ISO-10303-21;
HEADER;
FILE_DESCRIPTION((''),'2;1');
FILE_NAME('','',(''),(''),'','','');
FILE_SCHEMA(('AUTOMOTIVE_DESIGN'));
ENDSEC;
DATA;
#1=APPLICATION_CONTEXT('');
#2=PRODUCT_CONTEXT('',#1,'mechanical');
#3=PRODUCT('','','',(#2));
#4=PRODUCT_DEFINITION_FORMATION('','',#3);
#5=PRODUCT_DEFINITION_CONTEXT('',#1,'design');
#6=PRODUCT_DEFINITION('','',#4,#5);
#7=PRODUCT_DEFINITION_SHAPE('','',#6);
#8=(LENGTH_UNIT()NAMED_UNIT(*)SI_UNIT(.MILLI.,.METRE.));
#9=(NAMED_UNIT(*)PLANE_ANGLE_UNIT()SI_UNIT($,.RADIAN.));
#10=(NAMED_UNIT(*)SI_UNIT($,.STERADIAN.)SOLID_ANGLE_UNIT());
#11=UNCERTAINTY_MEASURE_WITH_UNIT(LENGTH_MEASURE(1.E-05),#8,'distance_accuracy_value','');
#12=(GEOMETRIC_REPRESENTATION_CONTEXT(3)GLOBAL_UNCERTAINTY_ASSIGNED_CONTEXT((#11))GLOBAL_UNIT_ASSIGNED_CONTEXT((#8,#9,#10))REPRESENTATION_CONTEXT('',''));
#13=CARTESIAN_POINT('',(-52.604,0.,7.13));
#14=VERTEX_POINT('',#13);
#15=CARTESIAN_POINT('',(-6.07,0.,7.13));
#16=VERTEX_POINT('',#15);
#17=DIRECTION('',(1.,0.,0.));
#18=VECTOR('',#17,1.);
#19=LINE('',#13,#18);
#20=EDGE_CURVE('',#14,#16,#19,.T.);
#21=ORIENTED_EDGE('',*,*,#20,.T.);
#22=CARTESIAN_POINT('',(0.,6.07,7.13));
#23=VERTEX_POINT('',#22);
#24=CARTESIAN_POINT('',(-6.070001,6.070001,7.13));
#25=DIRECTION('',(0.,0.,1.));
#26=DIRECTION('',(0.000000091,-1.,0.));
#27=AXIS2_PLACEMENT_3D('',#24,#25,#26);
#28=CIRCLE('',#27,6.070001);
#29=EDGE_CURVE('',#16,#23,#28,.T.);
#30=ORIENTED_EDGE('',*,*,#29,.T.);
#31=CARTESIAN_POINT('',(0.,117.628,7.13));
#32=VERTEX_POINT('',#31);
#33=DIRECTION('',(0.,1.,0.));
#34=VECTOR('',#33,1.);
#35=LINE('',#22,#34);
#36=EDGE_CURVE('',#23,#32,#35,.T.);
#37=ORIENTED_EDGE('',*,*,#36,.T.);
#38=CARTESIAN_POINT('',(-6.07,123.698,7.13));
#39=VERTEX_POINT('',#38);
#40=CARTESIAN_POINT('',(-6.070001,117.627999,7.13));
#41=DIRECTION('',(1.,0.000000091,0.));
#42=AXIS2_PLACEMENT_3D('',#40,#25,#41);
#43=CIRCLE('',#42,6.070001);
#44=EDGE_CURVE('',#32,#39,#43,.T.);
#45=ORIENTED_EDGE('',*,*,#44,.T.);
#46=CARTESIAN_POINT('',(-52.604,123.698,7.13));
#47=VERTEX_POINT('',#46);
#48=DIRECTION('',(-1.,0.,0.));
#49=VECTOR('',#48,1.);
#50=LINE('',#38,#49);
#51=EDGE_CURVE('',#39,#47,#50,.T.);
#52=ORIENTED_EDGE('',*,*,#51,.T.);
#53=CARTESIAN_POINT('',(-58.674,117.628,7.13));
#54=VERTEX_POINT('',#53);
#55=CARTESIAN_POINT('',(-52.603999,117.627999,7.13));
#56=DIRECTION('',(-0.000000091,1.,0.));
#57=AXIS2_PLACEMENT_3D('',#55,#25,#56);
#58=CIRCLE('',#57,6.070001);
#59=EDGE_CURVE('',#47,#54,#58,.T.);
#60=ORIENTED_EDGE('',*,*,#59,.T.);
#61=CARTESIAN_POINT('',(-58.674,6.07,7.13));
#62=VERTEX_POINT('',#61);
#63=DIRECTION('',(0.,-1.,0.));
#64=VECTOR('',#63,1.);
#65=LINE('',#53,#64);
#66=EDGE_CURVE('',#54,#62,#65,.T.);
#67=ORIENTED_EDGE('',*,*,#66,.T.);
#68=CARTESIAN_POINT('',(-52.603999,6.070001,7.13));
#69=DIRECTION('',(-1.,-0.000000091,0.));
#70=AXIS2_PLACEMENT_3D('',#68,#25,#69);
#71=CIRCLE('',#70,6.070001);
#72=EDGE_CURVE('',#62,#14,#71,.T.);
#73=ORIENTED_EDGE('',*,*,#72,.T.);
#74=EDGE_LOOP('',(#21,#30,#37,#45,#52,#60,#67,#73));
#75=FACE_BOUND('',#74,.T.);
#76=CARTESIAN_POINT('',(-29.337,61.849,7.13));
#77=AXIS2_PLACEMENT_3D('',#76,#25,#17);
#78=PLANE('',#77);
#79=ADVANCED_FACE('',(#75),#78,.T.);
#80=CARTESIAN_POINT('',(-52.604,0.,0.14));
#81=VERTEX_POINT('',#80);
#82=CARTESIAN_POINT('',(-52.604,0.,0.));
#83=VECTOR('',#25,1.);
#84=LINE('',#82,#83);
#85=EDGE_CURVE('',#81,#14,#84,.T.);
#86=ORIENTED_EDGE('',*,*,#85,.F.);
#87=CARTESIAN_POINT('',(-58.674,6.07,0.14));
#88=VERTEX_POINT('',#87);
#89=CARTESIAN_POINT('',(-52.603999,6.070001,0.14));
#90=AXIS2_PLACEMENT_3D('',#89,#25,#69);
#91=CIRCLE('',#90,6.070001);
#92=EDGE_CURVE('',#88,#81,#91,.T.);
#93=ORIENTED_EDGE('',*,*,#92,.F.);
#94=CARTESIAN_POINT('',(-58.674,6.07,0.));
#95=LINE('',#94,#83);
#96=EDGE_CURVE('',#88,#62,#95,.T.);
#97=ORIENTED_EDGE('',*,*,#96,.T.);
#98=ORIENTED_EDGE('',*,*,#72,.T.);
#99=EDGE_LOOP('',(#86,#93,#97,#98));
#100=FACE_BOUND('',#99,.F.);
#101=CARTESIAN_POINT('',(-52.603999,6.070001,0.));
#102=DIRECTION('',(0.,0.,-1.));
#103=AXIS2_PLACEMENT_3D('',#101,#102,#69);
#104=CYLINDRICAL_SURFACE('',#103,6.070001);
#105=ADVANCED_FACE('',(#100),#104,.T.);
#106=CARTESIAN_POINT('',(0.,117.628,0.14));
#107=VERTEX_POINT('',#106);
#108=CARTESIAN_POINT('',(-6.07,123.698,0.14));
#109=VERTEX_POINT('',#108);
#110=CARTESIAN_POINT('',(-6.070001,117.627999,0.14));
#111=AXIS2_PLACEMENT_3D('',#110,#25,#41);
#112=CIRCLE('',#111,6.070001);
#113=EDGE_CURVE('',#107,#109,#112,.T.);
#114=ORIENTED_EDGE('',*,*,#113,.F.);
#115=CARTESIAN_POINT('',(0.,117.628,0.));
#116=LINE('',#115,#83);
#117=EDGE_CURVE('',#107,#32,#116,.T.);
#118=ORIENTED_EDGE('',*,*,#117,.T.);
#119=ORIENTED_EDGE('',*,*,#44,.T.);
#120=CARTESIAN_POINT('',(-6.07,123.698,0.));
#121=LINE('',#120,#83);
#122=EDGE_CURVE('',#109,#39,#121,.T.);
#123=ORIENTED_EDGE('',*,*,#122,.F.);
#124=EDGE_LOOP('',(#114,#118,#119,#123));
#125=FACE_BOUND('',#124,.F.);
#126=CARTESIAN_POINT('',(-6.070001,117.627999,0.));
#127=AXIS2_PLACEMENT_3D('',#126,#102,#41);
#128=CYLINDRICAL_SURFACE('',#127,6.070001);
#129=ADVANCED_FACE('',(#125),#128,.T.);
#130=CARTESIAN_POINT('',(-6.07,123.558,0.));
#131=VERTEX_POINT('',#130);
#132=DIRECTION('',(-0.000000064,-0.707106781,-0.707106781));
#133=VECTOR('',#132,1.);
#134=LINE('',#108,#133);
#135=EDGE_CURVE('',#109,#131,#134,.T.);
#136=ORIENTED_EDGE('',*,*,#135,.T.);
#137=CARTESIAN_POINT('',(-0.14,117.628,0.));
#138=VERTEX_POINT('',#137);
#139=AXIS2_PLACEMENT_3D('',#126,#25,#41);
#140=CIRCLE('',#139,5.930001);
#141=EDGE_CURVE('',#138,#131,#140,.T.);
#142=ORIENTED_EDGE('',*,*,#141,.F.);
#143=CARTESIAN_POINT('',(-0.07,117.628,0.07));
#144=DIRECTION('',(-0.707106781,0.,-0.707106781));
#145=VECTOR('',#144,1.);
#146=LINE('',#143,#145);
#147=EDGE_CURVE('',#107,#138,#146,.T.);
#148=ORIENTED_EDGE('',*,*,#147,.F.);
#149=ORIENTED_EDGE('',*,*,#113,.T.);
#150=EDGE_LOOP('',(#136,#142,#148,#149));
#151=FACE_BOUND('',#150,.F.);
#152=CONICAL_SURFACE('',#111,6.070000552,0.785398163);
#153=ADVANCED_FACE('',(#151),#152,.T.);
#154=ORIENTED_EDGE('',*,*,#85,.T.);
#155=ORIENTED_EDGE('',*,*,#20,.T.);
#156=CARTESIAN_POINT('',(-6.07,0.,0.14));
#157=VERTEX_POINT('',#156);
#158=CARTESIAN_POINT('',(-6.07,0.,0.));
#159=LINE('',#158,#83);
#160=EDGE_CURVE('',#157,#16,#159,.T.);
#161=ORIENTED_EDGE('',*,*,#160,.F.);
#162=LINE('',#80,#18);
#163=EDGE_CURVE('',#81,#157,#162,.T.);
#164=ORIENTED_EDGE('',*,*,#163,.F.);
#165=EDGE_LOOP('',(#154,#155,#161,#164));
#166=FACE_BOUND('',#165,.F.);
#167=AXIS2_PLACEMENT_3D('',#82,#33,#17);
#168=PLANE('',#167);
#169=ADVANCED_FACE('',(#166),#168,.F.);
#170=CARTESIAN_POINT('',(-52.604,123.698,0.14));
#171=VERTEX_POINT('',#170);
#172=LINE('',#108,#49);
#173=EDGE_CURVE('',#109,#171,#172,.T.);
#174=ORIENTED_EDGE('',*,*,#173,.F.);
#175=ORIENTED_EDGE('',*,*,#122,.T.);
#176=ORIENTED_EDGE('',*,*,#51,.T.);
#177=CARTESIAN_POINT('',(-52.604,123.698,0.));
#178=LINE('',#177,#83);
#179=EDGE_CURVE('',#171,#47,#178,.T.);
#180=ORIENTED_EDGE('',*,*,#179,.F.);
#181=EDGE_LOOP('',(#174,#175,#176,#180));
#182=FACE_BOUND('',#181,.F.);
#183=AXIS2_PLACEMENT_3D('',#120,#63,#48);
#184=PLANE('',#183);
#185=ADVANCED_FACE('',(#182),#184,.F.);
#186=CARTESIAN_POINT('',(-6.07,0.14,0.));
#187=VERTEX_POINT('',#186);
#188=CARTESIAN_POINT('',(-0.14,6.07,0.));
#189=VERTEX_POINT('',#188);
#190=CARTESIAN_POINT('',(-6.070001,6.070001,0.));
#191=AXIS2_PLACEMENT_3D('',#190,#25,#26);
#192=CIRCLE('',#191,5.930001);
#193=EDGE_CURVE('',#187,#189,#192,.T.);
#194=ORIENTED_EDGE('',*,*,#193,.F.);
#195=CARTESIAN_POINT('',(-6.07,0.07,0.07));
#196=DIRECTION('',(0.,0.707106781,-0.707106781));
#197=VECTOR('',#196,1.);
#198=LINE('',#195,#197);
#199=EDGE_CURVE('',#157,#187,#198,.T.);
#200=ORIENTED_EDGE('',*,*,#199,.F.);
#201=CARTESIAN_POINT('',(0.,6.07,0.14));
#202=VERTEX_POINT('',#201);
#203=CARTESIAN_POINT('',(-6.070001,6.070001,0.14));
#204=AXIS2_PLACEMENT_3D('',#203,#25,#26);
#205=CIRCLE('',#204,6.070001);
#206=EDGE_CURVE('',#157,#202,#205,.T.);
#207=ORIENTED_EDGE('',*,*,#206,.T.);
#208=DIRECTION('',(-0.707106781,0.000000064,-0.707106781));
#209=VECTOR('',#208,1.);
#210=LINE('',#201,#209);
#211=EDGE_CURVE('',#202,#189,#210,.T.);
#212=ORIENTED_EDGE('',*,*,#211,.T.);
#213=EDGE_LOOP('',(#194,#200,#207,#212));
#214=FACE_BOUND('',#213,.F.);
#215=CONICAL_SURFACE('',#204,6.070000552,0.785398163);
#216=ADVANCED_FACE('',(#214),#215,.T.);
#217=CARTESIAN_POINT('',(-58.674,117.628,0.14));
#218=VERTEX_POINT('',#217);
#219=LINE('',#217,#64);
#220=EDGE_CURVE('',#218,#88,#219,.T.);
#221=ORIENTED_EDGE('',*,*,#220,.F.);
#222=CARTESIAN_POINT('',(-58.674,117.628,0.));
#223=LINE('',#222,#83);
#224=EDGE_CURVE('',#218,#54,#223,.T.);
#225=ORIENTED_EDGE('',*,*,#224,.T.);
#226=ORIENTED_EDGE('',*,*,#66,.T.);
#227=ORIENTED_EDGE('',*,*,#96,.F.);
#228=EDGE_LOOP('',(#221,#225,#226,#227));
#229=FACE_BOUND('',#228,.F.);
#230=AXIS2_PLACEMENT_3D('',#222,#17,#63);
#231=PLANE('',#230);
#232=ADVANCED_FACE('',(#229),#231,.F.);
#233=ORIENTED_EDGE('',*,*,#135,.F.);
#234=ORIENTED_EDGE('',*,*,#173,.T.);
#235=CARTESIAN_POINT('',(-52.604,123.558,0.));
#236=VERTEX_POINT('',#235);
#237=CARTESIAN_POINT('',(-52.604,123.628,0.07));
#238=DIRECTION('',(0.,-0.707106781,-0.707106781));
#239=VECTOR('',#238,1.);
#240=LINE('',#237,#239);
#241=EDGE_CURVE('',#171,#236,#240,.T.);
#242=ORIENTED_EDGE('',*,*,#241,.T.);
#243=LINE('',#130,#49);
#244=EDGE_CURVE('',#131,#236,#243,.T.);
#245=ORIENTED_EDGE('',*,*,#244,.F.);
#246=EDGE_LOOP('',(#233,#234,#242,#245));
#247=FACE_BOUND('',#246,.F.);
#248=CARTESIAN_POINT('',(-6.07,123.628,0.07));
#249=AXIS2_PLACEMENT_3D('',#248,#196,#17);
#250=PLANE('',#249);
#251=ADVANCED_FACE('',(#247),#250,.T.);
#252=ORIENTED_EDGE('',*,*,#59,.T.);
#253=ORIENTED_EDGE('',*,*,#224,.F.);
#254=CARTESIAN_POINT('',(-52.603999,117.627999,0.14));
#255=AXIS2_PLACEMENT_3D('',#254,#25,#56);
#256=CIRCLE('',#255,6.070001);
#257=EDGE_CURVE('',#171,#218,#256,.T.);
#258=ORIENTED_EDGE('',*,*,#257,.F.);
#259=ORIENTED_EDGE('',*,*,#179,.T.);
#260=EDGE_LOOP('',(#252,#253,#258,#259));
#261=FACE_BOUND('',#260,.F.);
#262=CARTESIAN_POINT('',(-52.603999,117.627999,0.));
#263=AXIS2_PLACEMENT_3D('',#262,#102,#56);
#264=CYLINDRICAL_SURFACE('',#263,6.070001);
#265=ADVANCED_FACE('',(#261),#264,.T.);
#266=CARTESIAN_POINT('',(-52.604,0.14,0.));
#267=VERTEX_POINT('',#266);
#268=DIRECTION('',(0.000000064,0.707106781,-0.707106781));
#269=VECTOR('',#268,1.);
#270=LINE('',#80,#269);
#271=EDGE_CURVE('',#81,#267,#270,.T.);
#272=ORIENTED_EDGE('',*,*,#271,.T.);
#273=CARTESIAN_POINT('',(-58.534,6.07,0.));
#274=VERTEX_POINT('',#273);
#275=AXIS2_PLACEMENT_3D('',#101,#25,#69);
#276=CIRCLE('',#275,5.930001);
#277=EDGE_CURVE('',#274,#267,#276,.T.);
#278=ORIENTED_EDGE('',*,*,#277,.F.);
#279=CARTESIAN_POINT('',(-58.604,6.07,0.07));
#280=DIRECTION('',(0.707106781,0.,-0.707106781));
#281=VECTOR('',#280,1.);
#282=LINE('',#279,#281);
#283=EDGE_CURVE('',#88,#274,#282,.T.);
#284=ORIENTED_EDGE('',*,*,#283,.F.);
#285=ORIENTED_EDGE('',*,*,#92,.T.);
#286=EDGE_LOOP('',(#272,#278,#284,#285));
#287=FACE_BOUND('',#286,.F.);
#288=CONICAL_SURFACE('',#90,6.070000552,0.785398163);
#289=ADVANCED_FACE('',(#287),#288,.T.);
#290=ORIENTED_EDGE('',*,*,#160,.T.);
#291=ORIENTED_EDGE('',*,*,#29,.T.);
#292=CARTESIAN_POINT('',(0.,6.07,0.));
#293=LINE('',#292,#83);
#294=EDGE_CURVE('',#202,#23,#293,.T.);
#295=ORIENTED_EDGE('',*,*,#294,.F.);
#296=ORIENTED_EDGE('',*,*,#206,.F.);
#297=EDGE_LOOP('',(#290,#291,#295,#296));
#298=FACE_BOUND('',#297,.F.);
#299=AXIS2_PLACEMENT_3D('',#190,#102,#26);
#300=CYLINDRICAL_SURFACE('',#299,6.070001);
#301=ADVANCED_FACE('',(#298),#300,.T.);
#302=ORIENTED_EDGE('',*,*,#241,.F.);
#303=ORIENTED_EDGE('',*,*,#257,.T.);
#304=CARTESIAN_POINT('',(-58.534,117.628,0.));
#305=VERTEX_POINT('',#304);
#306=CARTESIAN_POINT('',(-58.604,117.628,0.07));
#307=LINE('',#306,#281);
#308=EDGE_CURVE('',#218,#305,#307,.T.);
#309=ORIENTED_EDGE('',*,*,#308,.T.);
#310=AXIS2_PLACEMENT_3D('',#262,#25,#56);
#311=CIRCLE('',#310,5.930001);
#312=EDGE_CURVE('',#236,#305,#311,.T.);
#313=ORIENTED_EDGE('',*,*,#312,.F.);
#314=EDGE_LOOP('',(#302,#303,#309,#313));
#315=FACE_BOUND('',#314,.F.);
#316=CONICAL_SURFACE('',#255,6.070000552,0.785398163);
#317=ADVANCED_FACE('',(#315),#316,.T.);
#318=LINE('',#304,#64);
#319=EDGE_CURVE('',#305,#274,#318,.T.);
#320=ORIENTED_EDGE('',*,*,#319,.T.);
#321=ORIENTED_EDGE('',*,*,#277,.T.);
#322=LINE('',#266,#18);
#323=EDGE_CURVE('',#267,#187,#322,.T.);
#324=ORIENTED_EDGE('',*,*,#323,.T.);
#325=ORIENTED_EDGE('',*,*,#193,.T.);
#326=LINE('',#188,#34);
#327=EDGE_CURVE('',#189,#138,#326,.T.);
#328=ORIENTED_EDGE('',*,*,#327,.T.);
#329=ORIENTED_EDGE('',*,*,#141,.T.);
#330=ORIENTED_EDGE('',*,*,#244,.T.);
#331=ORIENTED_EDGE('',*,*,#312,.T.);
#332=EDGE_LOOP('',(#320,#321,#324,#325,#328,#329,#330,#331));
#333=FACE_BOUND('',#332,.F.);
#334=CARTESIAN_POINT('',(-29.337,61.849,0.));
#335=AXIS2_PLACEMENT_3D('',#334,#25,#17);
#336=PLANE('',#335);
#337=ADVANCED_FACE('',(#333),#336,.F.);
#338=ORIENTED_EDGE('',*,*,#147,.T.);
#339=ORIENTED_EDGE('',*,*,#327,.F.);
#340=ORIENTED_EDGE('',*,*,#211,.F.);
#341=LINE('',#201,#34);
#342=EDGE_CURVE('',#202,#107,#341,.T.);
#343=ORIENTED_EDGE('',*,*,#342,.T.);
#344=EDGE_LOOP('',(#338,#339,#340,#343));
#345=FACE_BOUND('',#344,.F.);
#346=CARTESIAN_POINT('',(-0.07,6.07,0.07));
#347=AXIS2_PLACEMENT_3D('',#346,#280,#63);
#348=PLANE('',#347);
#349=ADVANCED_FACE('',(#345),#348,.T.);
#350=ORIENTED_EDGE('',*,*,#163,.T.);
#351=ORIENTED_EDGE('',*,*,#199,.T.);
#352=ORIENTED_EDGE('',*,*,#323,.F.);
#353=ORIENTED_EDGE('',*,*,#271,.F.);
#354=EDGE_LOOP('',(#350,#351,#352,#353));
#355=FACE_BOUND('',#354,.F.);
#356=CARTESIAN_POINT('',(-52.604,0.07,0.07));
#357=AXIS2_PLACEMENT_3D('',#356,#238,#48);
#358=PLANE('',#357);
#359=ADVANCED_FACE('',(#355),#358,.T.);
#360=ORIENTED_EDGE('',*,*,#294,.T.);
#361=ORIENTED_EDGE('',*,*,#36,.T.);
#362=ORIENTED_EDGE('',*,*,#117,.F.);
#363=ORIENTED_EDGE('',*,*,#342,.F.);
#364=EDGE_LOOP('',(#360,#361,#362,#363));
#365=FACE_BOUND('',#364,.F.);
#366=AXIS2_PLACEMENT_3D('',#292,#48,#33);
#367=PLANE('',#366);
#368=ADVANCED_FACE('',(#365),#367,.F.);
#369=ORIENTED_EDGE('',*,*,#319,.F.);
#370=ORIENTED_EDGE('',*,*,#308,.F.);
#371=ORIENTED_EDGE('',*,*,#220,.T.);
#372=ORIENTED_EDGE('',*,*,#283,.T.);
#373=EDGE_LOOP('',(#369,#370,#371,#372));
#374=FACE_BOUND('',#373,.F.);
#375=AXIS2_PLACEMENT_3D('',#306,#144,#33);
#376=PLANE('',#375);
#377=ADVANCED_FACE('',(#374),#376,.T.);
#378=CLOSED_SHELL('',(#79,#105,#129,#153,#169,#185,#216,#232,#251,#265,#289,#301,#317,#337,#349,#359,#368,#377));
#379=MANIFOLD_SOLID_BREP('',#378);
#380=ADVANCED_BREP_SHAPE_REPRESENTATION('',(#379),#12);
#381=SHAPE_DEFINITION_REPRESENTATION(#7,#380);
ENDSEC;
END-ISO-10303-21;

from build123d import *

# Parameters (mm, degrees)
F1_DEPTH = 7.13
F2_SIZE  = 0.14


with BuildPart() as f1:
    # F0 (on Top) → F1 (new body)
    with BuildSketch(Plane.XY):
        with BuildLine():
            Line((-52.604, 0), (-6.07, 0))
            ThreePointArc((-6.07, 0), (-1.777862, 1.777862), (0, 6.07))
            Line((0, 6.07), (0, 117.628))
            ThreePointArc((0, 117.628), (-1.777862, 121.920138), (-6.07, 123.698))
            Line((-6.07, 123.698), (-52.604, 123.698))
            ThreePointArc((-52.604, 123.698), (-56.896138, 121.920138), (-58.674, 117.628))
            Line((-58.674, 117.628), (-58.674, 6.07))
            ThreePointArc((-58.674, 6.07), (-56.896138, 1.777862), (-52.604, 0))
        make_face()
    extrude(amount=F1_DEPTH)

    # F2
    f2_edges = [f1.edges().sort_by_distance(p)[0] for p in [
        (-58.674, 61.849, 0),
        (-56.896138, 1.777862, 0),
        (-29.337, 0, 0),
        (0, 61.849, 0),
        (-1.777862, 121.920138, 0),
        (-29.337, 123.698, 0),
        (-56.896138, 121.920138, 0),
        (-1.777862, 1.777862, 0),
    ]]
    chamfer(f2_edges, length=F2_SIZE)


solid = f1.part
